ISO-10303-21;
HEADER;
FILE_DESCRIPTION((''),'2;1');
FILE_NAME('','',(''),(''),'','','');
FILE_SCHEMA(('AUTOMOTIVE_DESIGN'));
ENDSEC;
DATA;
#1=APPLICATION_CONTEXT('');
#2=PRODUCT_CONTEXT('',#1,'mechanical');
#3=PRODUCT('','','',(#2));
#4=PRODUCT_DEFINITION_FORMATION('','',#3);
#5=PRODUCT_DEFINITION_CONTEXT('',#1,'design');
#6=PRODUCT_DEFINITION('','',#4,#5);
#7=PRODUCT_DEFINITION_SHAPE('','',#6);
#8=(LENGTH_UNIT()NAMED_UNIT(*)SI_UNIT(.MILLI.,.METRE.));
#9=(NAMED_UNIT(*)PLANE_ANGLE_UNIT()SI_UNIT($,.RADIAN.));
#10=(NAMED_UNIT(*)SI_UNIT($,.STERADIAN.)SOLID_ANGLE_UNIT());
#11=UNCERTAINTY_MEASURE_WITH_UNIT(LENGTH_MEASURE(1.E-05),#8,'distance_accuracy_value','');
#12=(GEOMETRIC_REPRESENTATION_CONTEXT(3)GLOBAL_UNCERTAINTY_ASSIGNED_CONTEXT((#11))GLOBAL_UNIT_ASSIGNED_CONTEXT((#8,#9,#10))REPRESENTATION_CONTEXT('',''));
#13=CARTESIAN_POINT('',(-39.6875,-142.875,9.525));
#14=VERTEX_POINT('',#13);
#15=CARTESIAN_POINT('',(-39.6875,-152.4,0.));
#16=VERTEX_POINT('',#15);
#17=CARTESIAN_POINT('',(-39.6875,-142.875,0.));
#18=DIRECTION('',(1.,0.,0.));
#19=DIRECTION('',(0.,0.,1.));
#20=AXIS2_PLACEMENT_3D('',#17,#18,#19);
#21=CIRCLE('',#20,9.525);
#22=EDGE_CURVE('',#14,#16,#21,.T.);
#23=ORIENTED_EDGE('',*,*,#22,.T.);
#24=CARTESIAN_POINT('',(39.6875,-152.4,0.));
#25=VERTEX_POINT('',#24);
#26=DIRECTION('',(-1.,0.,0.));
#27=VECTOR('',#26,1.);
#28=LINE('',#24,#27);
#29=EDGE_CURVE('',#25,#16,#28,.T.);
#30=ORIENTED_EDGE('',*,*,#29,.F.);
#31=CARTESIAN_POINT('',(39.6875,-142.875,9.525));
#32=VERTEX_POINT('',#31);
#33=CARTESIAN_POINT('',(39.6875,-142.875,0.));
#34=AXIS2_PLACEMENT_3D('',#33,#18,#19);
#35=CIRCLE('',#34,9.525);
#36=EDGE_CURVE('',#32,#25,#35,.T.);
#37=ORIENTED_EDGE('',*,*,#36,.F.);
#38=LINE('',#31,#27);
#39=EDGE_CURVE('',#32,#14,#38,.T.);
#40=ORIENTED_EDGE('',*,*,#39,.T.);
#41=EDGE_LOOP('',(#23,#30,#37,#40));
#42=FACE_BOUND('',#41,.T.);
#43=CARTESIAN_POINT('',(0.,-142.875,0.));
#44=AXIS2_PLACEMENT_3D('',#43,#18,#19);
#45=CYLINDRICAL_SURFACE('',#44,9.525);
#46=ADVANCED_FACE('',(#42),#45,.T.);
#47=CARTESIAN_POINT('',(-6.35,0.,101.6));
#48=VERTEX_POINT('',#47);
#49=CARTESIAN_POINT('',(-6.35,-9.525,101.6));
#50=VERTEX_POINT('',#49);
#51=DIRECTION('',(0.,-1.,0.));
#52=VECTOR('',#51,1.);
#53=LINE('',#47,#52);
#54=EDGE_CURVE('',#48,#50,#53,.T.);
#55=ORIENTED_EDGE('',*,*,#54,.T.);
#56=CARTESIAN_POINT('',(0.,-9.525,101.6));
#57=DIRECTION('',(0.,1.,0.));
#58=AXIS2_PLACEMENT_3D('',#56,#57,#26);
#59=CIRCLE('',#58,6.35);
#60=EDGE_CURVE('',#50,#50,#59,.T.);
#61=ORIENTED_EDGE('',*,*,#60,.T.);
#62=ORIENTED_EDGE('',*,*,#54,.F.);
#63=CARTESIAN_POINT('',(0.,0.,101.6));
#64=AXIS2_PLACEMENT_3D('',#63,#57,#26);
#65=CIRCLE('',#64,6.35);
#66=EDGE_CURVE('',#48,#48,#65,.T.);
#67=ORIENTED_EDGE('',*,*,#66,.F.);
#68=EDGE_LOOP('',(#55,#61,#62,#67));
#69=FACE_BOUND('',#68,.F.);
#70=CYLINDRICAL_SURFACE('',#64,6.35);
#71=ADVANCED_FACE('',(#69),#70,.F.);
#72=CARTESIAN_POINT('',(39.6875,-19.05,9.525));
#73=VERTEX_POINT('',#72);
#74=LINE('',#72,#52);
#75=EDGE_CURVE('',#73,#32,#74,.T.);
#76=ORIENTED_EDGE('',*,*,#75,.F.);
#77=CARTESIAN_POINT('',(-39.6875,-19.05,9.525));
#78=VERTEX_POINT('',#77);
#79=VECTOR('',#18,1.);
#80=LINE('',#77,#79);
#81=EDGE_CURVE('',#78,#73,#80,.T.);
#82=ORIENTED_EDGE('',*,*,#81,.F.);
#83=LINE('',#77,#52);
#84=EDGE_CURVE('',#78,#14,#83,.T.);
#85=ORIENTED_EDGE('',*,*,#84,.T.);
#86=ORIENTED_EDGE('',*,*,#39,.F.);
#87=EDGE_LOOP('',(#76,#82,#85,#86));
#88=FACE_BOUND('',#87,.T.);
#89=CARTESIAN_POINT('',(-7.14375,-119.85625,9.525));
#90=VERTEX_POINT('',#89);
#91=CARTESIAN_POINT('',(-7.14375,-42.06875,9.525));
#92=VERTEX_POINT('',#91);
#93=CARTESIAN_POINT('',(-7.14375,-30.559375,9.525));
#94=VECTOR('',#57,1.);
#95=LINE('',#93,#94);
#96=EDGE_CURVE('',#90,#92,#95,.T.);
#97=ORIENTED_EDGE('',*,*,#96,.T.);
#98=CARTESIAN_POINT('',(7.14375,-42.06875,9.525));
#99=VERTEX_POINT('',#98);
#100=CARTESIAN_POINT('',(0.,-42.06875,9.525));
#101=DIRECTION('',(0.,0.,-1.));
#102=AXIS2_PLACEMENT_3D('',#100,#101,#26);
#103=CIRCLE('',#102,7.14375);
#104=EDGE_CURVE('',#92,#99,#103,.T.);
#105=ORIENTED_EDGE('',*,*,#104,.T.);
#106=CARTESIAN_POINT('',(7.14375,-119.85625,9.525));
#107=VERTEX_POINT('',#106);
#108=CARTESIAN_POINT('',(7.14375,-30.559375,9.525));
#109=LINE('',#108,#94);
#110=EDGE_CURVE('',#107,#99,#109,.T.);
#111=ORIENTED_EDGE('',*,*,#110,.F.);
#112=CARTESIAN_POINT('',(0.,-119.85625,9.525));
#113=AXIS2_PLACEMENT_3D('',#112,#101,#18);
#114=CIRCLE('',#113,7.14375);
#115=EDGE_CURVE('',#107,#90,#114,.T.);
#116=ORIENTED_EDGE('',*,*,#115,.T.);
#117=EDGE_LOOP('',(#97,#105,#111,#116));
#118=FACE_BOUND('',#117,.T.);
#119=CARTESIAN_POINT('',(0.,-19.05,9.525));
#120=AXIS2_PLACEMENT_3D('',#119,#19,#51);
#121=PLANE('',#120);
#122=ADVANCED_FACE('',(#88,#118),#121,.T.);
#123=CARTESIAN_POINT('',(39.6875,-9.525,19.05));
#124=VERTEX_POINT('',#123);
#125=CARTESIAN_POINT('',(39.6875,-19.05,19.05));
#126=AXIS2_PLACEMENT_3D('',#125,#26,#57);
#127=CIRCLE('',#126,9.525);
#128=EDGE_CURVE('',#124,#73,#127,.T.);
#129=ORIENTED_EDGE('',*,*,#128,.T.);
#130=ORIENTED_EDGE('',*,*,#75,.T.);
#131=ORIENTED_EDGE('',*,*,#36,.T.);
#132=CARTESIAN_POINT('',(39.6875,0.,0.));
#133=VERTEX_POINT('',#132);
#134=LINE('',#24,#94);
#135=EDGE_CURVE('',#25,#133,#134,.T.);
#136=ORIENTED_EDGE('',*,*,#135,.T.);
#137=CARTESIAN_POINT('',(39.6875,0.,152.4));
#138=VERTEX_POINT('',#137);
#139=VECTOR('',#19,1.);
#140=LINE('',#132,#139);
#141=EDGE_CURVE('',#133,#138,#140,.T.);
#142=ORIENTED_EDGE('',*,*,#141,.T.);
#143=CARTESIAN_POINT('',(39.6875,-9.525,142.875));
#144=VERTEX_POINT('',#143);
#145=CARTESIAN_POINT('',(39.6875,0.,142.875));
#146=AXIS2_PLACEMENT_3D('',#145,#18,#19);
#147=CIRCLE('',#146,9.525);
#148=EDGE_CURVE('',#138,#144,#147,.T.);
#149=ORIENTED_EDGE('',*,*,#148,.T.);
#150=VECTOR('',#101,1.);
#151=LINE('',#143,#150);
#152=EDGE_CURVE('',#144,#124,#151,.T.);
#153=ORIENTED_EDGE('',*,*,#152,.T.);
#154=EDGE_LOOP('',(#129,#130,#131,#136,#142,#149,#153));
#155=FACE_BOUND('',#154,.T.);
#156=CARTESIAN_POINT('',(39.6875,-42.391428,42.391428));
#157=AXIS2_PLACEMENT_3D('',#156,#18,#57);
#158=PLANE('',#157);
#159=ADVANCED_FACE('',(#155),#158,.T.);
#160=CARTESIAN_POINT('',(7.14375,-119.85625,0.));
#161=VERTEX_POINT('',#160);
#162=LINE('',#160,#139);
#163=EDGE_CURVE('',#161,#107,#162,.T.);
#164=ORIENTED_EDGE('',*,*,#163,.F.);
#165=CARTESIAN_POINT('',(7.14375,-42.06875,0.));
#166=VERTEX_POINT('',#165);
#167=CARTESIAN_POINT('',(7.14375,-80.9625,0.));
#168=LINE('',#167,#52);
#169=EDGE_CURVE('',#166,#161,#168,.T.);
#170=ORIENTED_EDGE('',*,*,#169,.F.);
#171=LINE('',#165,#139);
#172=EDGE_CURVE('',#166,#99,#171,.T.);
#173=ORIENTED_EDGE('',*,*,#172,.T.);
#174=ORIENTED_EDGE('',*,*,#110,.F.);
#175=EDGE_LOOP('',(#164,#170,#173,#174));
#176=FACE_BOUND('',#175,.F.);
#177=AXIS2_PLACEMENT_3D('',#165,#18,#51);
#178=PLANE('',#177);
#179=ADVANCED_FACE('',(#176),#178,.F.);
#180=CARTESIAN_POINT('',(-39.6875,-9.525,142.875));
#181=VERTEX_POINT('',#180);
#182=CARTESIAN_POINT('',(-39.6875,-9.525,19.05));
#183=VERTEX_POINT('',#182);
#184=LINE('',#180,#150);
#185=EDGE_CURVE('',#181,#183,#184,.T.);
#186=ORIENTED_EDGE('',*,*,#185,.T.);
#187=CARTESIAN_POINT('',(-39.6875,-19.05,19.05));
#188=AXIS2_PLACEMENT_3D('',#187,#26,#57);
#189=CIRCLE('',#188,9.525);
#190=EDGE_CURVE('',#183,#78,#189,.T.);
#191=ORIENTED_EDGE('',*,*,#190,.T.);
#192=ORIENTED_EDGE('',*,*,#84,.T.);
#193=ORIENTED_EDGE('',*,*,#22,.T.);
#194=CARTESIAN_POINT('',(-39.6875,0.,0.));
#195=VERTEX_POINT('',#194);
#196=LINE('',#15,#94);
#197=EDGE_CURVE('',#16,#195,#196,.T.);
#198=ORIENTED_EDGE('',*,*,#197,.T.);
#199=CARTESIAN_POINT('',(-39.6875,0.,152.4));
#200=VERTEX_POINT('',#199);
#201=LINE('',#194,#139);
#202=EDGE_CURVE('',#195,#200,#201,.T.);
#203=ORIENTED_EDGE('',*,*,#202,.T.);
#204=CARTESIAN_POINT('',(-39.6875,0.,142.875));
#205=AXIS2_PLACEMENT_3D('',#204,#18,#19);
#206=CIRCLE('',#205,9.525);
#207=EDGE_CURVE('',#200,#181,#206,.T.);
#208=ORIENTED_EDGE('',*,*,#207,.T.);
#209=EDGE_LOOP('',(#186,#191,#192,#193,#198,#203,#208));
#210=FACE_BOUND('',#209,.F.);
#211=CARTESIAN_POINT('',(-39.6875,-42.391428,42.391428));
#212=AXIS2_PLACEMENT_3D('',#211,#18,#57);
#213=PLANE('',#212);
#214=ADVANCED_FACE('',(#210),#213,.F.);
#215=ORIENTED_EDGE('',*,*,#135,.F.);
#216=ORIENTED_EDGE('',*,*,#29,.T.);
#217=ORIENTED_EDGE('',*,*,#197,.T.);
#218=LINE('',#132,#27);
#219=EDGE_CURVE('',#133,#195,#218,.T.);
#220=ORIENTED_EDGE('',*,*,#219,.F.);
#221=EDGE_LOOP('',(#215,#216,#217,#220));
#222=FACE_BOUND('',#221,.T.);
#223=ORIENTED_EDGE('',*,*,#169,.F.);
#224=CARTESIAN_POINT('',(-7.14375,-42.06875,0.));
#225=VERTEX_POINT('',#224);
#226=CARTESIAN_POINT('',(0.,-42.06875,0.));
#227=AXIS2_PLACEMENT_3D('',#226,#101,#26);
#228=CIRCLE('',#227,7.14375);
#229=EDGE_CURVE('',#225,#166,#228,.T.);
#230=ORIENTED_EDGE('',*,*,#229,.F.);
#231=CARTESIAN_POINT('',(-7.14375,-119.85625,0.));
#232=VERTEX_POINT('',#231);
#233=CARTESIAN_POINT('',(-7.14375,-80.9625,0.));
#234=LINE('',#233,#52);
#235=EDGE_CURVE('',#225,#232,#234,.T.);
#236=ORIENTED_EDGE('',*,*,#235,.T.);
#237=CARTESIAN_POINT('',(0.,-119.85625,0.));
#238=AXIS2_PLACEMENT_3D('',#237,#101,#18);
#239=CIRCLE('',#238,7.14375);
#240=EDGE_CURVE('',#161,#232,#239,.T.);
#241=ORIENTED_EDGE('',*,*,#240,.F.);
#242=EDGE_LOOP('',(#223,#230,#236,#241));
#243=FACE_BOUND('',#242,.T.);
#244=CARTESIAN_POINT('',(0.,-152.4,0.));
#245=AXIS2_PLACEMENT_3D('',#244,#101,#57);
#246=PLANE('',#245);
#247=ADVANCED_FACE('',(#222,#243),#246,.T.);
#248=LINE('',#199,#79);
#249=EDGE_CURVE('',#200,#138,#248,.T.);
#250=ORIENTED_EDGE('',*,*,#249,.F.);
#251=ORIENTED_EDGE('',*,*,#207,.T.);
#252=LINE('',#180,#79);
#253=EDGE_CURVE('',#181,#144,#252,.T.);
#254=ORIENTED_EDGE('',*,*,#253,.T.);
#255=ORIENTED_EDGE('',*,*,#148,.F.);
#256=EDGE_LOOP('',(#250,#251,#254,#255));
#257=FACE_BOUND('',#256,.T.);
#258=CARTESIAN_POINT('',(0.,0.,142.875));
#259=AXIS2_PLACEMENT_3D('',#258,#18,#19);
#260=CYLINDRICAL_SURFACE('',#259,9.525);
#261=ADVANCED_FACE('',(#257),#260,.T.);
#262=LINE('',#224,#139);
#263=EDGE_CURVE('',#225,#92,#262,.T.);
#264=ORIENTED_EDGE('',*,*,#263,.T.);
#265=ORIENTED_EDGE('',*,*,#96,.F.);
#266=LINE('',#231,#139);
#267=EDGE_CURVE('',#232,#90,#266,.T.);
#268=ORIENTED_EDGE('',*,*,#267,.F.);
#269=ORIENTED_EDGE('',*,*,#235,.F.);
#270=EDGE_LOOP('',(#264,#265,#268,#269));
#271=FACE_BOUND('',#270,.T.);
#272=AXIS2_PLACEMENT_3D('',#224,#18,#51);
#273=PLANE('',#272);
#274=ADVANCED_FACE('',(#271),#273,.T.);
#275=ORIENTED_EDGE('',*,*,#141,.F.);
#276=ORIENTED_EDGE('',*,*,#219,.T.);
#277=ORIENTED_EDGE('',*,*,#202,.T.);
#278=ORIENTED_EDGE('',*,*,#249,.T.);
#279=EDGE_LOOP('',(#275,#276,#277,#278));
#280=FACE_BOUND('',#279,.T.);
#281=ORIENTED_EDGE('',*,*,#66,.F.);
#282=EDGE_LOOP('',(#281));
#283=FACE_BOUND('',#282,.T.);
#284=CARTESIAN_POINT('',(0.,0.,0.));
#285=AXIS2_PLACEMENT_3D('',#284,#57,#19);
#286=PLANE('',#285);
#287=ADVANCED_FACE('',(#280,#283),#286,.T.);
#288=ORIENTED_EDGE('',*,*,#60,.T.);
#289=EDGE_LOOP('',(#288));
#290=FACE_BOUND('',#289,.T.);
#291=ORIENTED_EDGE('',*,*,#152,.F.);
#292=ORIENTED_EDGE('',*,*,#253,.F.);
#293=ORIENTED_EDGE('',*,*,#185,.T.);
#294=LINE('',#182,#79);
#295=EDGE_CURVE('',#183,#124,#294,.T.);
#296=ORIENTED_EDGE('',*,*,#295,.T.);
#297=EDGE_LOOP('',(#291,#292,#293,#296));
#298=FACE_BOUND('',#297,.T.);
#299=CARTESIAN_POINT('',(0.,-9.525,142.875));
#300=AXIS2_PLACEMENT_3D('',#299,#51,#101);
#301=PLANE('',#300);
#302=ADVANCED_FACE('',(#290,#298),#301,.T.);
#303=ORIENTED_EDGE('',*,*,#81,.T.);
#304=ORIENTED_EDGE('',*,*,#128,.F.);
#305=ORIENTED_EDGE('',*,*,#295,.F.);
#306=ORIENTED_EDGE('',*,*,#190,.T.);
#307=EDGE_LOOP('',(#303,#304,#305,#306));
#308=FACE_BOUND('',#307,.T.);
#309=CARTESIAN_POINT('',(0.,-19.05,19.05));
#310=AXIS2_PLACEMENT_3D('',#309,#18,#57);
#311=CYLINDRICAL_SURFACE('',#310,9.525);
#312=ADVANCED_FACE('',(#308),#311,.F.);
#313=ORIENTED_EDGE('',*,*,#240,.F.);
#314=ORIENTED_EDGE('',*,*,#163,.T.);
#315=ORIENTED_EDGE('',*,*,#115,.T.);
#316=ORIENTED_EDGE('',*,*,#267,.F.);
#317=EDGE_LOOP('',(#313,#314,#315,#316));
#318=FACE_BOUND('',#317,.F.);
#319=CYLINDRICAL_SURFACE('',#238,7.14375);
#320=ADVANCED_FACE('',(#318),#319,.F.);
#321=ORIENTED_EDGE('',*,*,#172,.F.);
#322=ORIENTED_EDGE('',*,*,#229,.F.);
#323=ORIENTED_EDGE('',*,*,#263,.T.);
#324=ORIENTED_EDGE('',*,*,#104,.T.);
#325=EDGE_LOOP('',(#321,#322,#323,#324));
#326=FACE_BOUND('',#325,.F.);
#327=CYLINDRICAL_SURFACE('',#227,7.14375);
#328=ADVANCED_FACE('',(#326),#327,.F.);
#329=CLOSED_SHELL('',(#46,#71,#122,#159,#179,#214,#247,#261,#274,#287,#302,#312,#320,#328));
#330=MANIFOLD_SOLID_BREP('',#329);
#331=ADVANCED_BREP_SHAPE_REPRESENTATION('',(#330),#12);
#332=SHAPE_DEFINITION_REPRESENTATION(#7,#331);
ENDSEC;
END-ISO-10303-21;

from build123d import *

# Parameters (mm, degrees)
F1_DEPTH = 39.6875
F2_R     = 6.35
F3_DEPTH = 25.4
F4_W     = 14.2875
F4_H     = 77.7875
F5_DEPTH = 25.4


with BuildPart() as f1:
    # F0 (on Right) → F1 (new body, symmetric)
    with BuildSketch(Plane.YZ):
        with BuildLine():
            Line((0, 0), (0, 152.4))
            ThreePointArc((0, 152.4), (-6.7351920908, 149.6101920908), (-9.525, 142.875))
            Line((-9.525, 142.875), (-9.525, 19.05))
            ThreePointArc((-9.525, 19.05), (-12.3148079092, 12.3148079092), (-19.05, 9.525))
            Line((-19.05, 9.525), (-142.875, 9.525))
            ThreePointArc((-142.875, 9.525), (-149.6101920908, 6.7351920908), (-152.4, 0))
            Line((-152.4, 0), (0, 0))
        make_face()
    extrude(amount=F1_DEPTH, both=True)

    # F2 (on face) → F3 (cut)
    with BuildSketch(Plane(origin=(0, 0, 0), x_dir=(-1, 0, 0), z_dir=(0, 1, 0))):
        with Locations((0, 101.6)):
            Circle(F2_R)
    extrude(amount=-F3_DEPTH, mode=Mode.SUBTRACT)

    # F4 (on face) → F5 (cut)
    with BuildSketch(Plane(origin=(0, 0, 0), x_dir=(1, 0, 0), z_dir=(0, 0, -1))):
        with Locations((0, 80.9625)):
            Rectangle(F4_W, F4_H)
        with BuildLine():
            Line((-7.14375, 119.85625), (7.14375, 119.85625))
            ThreePointArc((7.14375, 119.85625), (0, 127), (-7.14375, 119.85625))
        make_face()
        with BuildLine():
            ThreePointArc((-7.14375, 42.06875), (0, 34.925), (7.14375, 42.06875))
            Line((7.14375, 42.06875), (-7.14375, 42.06875))
        make_face()
    extrude(amount=-F5_DEPTH, mode=Mode.SUBTRACT)


solid = f1.part
